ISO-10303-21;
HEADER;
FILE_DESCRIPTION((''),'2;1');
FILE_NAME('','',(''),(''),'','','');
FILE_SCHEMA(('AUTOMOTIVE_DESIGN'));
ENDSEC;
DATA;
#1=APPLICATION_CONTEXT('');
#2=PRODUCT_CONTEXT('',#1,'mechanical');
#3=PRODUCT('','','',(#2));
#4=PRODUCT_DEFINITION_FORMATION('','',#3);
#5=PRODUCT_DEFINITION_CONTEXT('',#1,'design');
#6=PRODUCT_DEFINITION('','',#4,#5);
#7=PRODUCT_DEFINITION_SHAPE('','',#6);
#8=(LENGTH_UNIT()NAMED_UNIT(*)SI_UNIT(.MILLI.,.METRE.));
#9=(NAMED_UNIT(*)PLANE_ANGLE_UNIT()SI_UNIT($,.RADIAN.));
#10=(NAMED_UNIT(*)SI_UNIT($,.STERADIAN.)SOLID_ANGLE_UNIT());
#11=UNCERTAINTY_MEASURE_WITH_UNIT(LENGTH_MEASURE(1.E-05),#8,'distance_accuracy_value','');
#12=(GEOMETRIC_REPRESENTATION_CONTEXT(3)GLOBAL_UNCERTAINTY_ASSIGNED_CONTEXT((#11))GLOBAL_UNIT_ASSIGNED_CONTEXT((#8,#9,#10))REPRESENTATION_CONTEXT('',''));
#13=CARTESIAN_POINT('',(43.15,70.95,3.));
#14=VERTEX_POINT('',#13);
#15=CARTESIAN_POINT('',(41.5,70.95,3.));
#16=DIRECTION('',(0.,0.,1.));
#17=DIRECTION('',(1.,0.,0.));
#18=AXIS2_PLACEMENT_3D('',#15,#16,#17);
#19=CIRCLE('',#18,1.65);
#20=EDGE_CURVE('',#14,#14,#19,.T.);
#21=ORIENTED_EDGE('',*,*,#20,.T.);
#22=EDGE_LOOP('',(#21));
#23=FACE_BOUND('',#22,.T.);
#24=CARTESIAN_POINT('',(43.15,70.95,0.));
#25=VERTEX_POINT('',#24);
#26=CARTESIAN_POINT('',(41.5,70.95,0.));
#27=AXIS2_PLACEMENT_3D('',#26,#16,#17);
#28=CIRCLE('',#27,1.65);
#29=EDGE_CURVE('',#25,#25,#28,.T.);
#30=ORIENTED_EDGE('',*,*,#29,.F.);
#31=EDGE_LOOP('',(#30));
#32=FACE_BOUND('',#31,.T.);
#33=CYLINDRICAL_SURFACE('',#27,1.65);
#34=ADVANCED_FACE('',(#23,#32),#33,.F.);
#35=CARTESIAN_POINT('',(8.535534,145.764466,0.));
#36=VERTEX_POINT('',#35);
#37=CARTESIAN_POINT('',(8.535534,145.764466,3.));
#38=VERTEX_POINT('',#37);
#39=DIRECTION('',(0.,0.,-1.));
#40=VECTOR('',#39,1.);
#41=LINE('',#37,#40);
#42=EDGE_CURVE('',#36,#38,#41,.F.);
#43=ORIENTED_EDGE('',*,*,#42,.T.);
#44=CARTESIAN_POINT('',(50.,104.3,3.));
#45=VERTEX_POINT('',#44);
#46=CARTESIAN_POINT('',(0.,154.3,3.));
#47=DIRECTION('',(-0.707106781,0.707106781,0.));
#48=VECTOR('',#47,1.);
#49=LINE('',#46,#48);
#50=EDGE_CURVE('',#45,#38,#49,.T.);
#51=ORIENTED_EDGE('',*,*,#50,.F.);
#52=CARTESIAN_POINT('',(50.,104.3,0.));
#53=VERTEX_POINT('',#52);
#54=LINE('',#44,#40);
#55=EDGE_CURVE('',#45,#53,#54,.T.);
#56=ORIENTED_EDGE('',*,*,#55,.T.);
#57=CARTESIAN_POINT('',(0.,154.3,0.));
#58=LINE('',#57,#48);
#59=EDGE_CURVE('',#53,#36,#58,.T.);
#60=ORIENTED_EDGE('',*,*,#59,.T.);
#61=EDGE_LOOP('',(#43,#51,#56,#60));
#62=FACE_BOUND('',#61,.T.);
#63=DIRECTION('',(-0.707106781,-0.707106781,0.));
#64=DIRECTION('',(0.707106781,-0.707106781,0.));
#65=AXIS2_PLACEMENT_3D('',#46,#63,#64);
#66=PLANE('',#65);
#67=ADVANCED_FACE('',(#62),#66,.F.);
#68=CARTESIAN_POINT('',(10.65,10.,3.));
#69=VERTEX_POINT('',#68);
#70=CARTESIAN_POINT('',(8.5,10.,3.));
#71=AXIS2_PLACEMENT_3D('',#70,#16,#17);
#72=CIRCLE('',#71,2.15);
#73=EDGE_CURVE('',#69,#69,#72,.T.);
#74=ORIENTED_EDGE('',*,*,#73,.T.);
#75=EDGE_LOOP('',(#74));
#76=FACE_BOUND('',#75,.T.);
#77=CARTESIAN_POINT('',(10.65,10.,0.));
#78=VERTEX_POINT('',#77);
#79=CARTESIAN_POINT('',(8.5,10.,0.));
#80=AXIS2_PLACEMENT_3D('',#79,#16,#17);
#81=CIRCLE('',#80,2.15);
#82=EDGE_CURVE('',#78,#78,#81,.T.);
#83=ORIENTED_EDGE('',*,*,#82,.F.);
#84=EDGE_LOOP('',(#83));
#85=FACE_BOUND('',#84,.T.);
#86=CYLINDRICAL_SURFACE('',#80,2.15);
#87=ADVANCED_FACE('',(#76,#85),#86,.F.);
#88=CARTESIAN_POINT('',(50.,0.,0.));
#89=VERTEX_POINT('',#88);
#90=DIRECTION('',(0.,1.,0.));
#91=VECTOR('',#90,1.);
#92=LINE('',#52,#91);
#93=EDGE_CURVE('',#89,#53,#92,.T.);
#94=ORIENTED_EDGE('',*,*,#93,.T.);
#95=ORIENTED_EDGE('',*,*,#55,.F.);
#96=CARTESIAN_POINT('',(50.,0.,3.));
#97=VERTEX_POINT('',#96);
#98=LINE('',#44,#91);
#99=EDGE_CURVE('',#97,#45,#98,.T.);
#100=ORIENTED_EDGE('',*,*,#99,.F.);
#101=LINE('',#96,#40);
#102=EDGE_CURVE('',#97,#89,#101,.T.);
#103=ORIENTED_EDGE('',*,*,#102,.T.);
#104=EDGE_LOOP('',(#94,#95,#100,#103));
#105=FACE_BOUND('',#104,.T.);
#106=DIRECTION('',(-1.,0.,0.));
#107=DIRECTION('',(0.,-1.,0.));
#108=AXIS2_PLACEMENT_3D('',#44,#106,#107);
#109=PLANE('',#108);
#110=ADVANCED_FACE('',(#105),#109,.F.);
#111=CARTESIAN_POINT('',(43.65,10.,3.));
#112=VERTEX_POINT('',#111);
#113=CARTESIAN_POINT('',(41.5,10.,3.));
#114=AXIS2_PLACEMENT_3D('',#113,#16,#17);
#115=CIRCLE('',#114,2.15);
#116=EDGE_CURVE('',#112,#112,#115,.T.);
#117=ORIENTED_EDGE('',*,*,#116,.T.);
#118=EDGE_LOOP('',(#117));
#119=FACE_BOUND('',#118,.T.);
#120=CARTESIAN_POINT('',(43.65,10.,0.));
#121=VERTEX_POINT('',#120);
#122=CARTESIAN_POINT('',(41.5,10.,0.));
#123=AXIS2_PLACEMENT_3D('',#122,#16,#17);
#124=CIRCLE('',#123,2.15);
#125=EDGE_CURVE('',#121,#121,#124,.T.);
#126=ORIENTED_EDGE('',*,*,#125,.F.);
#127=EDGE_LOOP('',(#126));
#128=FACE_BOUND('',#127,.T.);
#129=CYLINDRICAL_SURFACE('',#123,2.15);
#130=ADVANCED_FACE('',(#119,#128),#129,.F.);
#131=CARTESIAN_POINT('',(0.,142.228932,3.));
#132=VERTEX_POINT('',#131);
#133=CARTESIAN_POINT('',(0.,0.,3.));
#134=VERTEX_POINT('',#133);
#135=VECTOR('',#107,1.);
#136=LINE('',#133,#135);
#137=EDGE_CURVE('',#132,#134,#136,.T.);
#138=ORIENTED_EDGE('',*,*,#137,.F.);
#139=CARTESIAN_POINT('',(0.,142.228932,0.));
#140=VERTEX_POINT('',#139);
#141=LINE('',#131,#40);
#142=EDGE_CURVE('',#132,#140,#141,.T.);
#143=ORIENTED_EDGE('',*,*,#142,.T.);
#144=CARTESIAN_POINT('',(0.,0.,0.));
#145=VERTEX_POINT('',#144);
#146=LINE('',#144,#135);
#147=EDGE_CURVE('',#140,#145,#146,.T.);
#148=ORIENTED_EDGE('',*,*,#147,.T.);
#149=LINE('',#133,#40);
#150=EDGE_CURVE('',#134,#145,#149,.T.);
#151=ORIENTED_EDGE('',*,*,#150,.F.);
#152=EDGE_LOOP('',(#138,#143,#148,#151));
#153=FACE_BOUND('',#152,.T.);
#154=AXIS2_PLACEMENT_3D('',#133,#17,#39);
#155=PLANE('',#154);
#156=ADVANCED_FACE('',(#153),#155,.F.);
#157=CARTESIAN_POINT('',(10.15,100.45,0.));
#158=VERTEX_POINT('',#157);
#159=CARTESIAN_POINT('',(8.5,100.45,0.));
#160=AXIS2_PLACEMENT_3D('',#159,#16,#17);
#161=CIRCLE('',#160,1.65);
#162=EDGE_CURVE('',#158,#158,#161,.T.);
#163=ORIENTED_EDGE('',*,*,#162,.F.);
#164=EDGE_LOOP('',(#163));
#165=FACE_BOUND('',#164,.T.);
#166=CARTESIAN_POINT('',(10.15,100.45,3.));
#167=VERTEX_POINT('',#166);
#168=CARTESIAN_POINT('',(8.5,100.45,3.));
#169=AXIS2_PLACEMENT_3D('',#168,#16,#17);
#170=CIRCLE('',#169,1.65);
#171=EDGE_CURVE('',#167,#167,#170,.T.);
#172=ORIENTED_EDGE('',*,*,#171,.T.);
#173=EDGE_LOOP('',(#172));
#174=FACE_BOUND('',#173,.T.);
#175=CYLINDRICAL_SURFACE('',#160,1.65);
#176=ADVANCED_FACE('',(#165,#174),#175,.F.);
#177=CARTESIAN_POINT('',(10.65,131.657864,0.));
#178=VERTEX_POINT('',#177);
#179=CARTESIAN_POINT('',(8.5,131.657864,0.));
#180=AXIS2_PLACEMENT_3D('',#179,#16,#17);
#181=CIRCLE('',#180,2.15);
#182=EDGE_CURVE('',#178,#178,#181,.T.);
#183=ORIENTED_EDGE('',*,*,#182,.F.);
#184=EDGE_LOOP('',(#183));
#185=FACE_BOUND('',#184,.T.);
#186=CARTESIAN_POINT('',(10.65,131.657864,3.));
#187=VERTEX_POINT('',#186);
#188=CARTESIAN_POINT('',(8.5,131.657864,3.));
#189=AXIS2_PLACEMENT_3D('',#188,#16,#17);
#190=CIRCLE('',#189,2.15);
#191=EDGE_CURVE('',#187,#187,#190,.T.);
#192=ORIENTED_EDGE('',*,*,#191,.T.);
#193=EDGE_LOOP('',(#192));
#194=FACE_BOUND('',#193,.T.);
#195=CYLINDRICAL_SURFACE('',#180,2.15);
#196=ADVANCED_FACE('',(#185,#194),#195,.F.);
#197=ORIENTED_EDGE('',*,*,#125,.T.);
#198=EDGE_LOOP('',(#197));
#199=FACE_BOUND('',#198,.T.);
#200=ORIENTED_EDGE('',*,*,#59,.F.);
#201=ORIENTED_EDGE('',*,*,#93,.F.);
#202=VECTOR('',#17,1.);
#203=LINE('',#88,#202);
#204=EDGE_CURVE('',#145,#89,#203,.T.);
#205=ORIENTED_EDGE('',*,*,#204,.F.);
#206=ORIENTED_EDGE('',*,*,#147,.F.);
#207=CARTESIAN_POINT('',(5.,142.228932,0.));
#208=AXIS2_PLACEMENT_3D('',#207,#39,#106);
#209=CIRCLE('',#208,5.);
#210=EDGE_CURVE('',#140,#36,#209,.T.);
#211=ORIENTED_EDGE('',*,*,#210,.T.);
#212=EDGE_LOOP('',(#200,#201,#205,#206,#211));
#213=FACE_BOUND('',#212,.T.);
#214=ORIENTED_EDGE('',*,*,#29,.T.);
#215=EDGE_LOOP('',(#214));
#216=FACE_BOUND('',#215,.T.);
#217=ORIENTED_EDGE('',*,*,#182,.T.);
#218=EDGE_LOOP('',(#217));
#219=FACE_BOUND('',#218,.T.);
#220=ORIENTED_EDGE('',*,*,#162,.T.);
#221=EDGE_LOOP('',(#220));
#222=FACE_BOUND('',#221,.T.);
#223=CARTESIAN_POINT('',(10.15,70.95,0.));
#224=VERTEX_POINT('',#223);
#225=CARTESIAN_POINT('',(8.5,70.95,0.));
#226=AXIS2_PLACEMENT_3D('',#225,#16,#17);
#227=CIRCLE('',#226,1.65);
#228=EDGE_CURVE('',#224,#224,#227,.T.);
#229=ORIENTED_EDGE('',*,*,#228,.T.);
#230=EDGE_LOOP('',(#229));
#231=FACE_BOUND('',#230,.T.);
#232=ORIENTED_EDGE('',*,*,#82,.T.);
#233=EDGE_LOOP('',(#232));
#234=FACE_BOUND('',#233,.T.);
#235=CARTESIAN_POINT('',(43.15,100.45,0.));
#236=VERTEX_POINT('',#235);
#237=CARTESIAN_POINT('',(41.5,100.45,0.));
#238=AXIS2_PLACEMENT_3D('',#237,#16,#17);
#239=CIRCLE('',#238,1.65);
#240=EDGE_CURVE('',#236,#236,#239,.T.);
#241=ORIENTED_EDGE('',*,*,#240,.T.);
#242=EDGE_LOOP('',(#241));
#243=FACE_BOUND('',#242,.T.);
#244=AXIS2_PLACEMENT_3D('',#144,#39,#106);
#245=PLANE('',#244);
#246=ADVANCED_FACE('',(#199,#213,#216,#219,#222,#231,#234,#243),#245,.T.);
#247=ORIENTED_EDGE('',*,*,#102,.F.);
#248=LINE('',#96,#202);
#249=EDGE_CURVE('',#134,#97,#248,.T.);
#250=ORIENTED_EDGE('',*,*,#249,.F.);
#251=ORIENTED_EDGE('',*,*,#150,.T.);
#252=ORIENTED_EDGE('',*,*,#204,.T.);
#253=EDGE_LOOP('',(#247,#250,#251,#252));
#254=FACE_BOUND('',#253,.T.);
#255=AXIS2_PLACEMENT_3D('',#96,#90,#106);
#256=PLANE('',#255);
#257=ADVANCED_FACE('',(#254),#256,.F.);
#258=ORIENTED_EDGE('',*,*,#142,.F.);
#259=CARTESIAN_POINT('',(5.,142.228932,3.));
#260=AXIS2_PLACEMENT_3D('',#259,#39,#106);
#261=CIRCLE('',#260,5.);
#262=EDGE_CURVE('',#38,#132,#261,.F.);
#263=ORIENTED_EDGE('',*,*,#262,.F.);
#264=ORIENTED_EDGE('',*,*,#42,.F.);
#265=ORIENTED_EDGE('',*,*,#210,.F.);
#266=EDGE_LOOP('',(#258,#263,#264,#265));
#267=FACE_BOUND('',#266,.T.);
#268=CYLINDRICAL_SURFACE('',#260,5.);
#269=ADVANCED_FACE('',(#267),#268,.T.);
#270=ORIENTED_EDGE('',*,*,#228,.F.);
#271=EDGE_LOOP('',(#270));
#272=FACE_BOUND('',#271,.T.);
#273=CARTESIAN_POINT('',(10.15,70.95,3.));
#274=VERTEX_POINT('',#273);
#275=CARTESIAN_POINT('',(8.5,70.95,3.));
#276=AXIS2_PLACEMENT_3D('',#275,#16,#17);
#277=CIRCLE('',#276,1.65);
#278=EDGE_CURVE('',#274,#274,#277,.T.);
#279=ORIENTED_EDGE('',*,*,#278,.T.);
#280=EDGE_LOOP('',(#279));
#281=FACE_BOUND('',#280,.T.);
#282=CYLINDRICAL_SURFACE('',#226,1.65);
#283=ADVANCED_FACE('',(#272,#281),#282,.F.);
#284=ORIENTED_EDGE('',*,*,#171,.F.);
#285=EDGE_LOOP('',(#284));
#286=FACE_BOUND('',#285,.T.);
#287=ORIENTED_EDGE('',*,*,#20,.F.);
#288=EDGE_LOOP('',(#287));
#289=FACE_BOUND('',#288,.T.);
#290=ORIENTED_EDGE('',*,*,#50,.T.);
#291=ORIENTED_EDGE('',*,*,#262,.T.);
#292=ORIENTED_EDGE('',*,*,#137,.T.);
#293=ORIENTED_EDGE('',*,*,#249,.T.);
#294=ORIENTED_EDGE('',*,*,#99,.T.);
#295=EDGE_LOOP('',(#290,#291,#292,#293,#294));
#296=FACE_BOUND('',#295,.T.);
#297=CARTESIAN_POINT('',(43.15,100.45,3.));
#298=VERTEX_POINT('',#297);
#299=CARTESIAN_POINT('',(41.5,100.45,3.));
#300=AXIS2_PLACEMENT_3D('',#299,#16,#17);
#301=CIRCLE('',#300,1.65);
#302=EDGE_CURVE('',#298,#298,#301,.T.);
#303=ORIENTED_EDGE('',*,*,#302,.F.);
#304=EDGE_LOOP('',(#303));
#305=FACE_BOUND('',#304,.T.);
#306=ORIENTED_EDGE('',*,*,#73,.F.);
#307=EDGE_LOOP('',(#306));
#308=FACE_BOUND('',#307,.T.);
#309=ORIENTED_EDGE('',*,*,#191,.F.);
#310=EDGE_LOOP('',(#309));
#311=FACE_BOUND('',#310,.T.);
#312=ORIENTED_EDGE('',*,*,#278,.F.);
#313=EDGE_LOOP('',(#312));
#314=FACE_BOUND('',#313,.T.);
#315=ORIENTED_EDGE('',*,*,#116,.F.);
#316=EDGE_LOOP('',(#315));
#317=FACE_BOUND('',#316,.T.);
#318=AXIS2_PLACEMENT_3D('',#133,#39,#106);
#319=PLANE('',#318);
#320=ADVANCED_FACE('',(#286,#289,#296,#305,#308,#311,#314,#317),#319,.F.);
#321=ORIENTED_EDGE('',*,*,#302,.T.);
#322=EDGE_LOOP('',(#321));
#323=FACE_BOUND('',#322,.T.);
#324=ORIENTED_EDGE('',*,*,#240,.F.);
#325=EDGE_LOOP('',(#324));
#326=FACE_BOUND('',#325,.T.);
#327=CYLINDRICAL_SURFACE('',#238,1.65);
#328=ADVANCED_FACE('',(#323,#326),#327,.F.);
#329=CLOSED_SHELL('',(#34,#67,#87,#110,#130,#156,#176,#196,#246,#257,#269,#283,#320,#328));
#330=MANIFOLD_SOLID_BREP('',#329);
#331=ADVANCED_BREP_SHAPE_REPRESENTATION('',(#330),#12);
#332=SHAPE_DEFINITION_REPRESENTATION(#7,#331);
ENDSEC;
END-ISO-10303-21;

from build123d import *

# Parameters (mm, degrees)
EXTRUDE_1_DEPTH     = 3
SKETCH_2_R          = 2.15
SKETCH_2_R_2        = 1.65
CUT_EXTRUDE_1_DEPTH = 3
FILLET_1_R          = 5


with BuildPart() as part:
    # 草图1 → 凸台-拉伸1 (new body)
    with BuildSketch(Plane.XY):
        Polygon((0, 0), (0, 154.3), (50, 104.3), (50, 0), align=None)
    extrude(amount=EXTRUDE_1_DEPTH)

    # 草图2 → 切除-拉伸1 (cut)
    with BuildSketch(Plane.XY.offset(3)):
        with Locations((8.5, 10)):
            Circle(SKETCH_2_R)
        with Locations((41.5, 10)):
            Circle(SKETCH_2_R)
        with Locations((8.5, 131.657864376)):
            Circle(SKETCH_2_R)
        with Locations((8.5, 100.45)):
            Circle(SKETCH_2_R_2)
        with Locations((8.5, 70.95)):
            Circle(SKETCH_2_R_2)
        with Locations((41.5, 70.95)):
            Circle(SKETCH_2_R_2)
        with Locations((41.5, 100.45)):
            Circle(SKETCH_2_R_2)
    extrude(amount=-CUT_EXTRUDE_1_DEPTH, mode=Mode.SUBTRACT)

    # 圆角1
    fillet_1_edges = [part.edges().sort_by_distance(p)[0] for p in [
        (0, 154.3, 1.5),
    ]]
    fillet(fillet_1_edges, radius=FILLET_1_R)


solid = part.part
